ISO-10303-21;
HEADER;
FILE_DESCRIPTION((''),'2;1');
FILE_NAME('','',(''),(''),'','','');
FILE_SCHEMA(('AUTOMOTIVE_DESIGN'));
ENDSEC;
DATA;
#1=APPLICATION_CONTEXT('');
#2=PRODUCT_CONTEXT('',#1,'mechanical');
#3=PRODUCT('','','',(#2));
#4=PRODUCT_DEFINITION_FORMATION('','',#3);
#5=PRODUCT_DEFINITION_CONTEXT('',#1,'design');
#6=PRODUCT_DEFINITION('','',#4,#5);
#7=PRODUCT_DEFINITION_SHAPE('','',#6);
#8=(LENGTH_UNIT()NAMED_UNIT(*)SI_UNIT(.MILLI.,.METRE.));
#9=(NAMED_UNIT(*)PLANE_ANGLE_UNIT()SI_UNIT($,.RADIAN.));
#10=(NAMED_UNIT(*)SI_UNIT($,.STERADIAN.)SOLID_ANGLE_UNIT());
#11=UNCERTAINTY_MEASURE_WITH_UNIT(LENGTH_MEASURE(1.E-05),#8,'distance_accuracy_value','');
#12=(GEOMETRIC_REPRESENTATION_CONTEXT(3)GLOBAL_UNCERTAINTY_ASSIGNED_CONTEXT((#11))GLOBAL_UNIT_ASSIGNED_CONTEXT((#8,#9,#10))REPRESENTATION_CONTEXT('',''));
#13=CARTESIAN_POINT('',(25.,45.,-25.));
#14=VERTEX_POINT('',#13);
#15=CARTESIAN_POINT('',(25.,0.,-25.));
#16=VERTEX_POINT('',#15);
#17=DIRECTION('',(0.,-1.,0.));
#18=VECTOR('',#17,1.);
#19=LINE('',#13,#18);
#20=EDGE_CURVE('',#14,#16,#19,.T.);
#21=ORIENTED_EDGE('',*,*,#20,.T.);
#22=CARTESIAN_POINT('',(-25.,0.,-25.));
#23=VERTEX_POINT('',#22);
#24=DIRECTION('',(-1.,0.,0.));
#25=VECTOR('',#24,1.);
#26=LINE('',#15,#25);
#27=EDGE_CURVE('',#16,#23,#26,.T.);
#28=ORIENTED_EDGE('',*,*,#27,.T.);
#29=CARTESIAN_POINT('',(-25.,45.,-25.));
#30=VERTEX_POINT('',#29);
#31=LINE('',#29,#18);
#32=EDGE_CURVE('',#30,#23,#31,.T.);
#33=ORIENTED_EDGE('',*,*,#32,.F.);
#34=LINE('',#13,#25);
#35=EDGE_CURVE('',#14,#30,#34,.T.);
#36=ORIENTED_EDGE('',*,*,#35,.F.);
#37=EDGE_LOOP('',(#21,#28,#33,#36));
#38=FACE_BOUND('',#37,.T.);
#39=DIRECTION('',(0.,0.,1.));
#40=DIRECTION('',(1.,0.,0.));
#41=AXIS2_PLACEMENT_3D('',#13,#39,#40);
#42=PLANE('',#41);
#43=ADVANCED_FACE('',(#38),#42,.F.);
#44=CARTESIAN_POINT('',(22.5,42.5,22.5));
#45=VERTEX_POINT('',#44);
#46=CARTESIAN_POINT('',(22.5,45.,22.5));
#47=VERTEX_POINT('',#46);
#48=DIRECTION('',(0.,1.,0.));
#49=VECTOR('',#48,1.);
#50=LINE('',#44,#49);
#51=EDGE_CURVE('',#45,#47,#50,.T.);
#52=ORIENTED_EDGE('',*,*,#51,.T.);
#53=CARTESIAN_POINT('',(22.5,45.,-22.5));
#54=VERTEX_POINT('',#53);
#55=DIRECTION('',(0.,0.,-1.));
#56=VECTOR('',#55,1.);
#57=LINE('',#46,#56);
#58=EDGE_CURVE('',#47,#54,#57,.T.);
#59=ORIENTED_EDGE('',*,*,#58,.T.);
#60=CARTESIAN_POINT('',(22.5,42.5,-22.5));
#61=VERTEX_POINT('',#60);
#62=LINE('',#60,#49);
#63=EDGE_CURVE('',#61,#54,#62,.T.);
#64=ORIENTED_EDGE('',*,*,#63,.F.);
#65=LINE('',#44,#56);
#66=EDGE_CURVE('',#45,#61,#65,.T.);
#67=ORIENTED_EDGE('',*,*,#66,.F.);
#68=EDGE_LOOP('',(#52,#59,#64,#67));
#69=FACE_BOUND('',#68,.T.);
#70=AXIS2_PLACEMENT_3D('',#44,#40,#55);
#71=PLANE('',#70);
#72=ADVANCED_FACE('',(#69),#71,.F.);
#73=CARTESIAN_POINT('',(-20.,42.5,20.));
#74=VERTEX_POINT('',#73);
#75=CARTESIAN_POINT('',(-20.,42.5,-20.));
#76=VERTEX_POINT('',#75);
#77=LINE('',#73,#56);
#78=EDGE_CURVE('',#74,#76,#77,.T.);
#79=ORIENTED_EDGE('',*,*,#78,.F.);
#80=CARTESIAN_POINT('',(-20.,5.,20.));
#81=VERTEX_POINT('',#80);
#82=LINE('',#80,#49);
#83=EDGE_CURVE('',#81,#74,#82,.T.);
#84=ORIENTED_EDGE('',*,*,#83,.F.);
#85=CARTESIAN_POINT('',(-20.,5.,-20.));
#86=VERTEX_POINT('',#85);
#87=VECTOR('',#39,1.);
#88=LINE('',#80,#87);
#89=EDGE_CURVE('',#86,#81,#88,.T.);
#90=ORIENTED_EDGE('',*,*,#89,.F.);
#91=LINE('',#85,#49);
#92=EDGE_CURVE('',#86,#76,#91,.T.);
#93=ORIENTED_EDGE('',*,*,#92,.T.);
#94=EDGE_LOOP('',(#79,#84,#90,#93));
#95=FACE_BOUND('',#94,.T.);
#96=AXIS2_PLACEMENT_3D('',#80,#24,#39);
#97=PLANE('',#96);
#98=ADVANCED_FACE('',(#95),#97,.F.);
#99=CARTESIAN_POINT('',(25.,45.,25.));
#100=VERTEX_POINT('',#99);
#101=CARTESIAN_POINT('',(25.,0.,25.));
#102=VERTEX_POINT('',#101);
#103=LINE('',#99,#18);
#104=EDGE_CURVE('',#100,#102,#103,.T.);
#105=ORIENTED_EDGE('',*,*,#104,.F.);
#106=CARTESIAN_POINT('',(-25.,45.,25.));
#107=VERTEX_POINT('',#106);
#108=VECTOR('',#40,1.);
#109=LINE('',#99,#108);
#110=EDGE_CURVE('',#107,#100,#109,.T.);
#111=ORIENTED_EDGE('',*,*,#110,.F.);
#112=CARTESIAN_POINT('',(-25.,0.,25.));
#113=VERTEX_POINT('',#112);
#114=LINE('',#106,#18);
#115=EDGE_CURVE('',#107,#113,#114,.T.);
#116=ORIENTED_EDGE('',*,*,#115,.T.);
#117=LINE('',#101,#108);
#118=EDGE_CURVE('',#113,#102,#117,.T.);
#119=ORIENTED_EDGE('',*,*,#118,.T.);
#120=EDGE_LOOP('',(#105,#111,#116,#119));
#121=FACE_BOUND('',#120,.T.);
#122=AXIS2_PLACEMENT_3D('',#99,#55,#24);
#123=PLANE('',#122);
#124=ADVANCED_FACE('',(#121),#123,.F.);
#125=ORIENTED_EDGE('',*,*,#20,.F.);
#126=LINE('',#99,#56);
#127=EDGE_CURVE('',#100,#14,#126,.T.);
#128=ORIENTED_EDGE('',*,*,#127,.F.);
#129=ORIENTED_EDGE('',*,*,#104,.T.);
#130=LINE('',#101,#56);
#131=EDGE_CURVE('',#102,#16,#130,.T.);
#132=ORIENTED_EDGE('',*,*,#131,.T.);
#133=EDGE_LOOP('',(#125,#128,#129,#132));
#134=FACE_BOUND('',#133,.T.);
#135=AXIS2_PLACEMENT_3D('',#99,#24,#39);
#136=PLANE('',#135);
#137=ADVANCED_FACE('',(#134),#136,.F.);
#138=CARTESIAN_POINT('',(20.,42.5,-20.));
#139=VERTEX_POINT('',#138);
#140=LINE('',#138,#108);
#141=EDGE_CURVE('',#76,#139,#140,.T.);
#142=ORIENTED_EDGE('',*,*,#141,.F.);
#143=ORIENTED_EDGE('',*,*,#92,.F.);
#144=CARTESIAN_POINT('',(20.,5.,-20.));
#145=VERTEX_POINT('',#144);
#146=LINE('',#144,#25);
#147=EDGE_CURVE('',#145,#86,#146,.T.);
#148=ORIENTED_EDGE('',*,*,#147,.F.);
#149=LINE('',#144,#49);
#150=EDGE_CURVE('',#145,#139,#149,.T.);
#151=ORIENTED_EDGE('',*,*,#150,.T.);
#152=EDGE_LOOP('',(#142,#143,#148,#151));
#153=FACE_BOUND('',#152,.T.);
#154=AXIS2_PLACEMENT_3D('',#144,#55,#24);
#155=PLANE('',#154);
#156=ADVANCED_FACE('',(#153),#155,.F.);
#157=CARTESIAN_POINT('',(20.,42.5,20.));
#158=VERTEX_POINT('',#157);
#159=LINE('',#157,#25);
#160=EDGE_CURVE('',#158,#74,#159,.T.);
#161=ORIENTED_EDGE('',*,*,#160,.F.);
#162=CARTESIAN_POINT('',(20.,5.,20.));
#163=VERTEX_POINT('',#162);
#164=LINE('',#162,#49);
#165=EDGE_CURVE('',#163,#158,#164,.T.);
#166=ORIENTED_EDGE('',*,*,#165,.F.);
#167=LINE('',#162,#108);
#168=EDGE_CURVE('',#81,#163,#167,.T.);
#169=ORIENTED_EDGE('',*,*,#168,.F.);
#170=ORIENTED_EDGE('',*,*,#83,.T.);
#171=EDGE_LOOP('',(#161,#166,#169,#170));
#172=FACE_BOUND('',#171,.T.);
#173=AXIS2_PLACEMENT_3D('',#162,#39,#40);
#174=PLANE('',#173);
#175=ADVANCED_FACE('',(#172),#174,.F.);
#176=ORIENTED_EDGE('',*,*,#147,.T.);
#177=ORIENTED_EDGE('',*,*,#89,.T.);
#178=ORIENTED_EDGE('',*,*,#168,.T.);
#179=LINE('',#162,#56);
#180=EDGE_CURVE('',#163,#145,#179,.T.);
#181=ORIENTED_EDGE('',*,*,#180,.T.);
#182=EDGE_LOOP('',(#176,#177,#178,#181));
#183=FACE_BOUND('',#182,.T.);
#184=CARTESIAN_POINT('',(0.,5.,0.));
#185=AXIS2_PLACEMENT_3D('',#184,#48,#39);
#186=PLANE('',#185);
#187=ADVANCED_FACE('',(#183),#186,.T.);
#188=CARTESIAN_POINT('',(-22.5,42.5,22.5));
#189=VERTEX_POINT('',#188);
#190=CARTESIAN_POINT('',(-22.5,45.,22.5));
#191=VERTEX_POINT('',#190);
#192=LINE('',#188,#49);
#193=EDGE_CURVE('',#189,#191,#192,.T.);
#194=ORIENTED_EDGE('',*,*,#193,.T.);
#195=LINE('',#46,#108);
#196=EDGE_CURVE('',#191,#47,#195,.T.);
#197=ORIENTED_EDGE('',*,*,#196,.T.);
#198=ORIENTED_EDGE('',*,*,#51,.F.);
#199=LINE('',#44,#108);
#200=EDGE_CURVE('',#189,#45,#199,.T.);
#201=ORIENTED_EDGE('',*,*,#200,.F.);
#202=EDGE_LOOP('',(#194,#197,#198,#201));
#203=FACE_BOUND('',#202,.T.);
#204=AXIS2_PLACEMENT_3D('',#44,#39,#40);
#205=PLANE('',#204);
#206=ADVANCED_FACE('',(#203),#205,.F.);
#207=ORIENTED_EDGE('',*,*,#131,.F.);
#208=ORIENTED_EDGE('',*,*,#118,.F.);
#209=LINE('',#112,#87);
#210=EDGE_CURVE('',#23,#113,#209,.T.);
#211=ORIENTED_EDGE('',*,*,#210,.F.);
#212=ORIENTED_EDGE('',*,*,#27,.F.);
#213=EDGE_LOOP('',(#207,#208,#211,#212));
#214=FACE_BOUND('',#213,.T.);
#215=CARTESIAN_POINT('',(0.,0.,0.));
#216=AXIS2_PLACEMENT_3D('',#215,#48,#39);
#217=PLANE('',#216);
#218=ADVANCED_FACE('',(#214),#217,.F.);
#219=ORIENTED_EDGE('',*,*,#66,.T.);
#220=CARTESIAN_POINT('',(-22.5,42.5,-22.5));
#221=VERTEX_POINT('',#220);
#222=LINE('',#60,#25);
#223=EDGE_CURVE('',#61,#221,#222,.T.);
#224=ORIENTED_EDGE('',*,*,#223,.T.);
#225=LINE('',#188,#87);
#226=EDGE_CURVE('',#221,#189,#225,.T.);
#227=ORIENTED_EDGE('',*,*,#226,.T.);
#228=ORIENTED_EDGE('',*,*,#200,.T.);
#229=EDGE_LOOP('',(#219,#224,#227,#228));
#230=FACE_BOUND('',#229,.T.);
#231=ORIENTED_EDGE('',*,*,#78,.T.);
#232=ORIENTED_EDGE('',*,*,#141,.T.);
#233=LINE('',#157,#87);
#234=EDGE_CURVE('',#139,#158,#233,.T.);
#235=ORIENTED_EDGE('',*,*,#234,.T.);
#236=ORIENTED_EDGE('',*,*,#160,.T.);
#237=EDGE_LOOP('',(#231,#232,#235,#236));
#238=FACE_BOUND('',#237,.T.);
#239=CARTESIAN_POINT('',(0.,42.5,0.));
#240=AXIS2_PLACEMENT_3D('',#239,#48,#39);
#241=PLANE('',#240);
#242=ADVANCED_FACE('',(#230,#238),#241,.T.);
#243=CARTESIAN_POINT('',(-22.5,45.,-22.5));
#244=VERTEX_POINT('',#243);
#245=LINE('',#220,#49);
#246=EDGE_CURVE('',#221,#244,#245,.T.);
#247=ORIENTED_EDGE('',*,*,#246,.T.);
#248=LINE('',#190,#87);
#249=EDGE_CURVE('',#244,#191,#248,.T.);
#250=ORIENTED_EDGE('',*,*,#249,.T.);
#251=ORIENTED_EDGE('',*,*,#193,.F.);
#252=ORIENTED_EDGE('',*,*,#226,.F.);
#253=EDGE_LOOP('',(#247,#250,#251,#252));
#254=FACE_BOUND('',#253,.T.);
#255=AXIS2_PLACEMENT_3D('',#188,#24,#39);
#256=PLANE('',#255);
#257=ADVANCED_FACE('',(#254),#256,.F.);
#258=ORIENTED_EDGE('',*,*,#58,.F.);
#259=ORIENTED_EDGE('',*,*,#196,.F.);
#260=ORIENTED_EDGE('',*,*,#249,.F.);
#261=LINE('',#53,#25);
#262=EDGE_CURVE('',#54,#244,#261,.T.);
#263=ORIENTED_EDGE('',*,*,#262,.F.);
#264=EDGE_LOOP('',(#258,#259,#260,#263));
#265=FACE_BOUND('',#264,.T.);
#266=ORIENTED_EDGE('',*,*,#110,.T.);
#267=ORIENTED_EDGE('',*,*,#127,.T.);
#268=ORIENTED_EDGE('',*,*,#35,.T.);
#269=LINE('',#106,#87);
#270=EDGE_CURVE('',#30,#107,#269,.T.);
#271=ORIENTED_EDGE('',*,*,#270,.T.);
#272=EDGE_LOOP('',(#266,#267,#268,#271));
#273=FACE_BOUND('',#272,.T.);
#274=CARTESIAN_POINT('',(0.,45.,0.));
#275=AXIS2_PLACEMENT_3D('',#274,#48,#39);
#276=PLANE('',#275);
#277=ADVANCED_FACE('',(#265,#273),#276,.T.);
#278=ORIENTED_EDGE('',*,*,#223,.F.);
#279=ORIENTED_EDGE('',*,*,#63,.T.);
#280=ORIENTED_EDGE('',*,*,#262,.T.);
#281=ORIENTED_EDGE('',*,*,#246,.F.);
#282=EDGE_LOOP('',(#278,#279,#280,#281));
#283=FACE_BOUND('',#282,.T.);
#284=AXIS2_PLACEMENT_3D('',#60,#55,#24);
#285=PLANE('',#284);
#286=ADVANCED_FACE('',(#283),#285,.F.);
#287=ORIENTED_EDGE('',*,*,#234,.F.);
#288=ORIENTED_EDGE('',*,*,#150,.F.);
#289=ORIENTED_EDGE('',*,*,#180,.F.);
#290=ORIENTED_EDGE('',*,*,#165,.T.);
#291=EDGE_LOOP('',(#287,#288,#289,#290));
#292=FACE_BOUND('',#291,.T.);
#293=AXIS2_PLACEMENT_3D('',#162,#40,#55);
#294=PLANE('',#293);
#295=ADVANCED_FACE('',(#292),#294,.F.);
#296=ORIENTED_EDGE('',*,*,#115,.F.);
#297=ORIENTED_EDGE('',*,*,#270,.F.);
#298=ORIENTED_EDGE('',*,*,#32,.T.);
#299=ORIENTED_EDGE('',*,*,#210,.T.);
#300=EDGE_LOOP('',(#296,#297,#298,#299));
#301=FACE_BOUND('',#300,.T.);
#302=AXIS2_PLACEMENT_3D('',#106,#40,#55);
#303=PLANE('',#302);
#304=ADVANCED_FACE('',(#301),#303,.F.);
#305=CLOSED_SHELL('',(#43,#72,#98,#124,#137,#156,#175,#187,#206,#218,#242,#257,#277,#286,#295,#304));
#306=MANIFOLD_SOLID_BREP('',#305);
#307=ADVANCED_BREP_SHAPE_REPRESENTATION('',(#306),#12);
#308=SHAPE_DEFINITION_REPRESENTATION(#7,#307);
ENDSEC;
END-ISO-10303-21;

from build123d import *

# Parameters (mm, degrees)
CROQUIS1_W              = 50
CROQUIS1_H              = 50
SALIENTE_EXTRUIR1_DEPTH = 45
CROQUIS2_W              = 40
CROQUIS2_H              = 40
CORTAR_EXTRUIR1_DEPTH   = 40
CROQUIS3_W              = 45
CROQUIS3_H              = 45
CORTAR_EXTRUIR2_DEPTH   = 2.5


with BuildPart() as part:
    # Croquis1 → Saliente-Extruir1 (new body)
    with BuildSketch(Plane(origin=(0, 0, 0), x_dir=(1, 0, 0), z_dir=(0, 1, 0))):
        Rectangle(CROQUIS1_W, CROQUIS1_H)
    extrude(amount=SALIENTE_EXTRUIR1_DEPTH)

    # Croquis2 → Cortar-Extruir1 (cut)
    with BuildSketch(Plane(origin=(0, 45, 0), x_dir=(1, 0, 0), z_dir=(0, 1, 0))):
        Rectangle(CROQUIS2_W, CROQUIS2_H)
    extrude(amount=-CORTAR_EXTRUIR1_DEPTH, mode=Mode.SUBTRACT)

    # Croquis3 → Cortar-Extruir2 (cut)
    with BuildSketch(Plane(origin=(0, 45, 0), x_dir=(1, 0, 0), z_dir=(0, 1, 0))):
        Rectangle(CROQUIS3_W, CROQUIS3_H)
    extrude(amount=-CORTAR_EXTRUIR2_DEPTH, mode=Mode.SUBTRACT)


solid = part.part
